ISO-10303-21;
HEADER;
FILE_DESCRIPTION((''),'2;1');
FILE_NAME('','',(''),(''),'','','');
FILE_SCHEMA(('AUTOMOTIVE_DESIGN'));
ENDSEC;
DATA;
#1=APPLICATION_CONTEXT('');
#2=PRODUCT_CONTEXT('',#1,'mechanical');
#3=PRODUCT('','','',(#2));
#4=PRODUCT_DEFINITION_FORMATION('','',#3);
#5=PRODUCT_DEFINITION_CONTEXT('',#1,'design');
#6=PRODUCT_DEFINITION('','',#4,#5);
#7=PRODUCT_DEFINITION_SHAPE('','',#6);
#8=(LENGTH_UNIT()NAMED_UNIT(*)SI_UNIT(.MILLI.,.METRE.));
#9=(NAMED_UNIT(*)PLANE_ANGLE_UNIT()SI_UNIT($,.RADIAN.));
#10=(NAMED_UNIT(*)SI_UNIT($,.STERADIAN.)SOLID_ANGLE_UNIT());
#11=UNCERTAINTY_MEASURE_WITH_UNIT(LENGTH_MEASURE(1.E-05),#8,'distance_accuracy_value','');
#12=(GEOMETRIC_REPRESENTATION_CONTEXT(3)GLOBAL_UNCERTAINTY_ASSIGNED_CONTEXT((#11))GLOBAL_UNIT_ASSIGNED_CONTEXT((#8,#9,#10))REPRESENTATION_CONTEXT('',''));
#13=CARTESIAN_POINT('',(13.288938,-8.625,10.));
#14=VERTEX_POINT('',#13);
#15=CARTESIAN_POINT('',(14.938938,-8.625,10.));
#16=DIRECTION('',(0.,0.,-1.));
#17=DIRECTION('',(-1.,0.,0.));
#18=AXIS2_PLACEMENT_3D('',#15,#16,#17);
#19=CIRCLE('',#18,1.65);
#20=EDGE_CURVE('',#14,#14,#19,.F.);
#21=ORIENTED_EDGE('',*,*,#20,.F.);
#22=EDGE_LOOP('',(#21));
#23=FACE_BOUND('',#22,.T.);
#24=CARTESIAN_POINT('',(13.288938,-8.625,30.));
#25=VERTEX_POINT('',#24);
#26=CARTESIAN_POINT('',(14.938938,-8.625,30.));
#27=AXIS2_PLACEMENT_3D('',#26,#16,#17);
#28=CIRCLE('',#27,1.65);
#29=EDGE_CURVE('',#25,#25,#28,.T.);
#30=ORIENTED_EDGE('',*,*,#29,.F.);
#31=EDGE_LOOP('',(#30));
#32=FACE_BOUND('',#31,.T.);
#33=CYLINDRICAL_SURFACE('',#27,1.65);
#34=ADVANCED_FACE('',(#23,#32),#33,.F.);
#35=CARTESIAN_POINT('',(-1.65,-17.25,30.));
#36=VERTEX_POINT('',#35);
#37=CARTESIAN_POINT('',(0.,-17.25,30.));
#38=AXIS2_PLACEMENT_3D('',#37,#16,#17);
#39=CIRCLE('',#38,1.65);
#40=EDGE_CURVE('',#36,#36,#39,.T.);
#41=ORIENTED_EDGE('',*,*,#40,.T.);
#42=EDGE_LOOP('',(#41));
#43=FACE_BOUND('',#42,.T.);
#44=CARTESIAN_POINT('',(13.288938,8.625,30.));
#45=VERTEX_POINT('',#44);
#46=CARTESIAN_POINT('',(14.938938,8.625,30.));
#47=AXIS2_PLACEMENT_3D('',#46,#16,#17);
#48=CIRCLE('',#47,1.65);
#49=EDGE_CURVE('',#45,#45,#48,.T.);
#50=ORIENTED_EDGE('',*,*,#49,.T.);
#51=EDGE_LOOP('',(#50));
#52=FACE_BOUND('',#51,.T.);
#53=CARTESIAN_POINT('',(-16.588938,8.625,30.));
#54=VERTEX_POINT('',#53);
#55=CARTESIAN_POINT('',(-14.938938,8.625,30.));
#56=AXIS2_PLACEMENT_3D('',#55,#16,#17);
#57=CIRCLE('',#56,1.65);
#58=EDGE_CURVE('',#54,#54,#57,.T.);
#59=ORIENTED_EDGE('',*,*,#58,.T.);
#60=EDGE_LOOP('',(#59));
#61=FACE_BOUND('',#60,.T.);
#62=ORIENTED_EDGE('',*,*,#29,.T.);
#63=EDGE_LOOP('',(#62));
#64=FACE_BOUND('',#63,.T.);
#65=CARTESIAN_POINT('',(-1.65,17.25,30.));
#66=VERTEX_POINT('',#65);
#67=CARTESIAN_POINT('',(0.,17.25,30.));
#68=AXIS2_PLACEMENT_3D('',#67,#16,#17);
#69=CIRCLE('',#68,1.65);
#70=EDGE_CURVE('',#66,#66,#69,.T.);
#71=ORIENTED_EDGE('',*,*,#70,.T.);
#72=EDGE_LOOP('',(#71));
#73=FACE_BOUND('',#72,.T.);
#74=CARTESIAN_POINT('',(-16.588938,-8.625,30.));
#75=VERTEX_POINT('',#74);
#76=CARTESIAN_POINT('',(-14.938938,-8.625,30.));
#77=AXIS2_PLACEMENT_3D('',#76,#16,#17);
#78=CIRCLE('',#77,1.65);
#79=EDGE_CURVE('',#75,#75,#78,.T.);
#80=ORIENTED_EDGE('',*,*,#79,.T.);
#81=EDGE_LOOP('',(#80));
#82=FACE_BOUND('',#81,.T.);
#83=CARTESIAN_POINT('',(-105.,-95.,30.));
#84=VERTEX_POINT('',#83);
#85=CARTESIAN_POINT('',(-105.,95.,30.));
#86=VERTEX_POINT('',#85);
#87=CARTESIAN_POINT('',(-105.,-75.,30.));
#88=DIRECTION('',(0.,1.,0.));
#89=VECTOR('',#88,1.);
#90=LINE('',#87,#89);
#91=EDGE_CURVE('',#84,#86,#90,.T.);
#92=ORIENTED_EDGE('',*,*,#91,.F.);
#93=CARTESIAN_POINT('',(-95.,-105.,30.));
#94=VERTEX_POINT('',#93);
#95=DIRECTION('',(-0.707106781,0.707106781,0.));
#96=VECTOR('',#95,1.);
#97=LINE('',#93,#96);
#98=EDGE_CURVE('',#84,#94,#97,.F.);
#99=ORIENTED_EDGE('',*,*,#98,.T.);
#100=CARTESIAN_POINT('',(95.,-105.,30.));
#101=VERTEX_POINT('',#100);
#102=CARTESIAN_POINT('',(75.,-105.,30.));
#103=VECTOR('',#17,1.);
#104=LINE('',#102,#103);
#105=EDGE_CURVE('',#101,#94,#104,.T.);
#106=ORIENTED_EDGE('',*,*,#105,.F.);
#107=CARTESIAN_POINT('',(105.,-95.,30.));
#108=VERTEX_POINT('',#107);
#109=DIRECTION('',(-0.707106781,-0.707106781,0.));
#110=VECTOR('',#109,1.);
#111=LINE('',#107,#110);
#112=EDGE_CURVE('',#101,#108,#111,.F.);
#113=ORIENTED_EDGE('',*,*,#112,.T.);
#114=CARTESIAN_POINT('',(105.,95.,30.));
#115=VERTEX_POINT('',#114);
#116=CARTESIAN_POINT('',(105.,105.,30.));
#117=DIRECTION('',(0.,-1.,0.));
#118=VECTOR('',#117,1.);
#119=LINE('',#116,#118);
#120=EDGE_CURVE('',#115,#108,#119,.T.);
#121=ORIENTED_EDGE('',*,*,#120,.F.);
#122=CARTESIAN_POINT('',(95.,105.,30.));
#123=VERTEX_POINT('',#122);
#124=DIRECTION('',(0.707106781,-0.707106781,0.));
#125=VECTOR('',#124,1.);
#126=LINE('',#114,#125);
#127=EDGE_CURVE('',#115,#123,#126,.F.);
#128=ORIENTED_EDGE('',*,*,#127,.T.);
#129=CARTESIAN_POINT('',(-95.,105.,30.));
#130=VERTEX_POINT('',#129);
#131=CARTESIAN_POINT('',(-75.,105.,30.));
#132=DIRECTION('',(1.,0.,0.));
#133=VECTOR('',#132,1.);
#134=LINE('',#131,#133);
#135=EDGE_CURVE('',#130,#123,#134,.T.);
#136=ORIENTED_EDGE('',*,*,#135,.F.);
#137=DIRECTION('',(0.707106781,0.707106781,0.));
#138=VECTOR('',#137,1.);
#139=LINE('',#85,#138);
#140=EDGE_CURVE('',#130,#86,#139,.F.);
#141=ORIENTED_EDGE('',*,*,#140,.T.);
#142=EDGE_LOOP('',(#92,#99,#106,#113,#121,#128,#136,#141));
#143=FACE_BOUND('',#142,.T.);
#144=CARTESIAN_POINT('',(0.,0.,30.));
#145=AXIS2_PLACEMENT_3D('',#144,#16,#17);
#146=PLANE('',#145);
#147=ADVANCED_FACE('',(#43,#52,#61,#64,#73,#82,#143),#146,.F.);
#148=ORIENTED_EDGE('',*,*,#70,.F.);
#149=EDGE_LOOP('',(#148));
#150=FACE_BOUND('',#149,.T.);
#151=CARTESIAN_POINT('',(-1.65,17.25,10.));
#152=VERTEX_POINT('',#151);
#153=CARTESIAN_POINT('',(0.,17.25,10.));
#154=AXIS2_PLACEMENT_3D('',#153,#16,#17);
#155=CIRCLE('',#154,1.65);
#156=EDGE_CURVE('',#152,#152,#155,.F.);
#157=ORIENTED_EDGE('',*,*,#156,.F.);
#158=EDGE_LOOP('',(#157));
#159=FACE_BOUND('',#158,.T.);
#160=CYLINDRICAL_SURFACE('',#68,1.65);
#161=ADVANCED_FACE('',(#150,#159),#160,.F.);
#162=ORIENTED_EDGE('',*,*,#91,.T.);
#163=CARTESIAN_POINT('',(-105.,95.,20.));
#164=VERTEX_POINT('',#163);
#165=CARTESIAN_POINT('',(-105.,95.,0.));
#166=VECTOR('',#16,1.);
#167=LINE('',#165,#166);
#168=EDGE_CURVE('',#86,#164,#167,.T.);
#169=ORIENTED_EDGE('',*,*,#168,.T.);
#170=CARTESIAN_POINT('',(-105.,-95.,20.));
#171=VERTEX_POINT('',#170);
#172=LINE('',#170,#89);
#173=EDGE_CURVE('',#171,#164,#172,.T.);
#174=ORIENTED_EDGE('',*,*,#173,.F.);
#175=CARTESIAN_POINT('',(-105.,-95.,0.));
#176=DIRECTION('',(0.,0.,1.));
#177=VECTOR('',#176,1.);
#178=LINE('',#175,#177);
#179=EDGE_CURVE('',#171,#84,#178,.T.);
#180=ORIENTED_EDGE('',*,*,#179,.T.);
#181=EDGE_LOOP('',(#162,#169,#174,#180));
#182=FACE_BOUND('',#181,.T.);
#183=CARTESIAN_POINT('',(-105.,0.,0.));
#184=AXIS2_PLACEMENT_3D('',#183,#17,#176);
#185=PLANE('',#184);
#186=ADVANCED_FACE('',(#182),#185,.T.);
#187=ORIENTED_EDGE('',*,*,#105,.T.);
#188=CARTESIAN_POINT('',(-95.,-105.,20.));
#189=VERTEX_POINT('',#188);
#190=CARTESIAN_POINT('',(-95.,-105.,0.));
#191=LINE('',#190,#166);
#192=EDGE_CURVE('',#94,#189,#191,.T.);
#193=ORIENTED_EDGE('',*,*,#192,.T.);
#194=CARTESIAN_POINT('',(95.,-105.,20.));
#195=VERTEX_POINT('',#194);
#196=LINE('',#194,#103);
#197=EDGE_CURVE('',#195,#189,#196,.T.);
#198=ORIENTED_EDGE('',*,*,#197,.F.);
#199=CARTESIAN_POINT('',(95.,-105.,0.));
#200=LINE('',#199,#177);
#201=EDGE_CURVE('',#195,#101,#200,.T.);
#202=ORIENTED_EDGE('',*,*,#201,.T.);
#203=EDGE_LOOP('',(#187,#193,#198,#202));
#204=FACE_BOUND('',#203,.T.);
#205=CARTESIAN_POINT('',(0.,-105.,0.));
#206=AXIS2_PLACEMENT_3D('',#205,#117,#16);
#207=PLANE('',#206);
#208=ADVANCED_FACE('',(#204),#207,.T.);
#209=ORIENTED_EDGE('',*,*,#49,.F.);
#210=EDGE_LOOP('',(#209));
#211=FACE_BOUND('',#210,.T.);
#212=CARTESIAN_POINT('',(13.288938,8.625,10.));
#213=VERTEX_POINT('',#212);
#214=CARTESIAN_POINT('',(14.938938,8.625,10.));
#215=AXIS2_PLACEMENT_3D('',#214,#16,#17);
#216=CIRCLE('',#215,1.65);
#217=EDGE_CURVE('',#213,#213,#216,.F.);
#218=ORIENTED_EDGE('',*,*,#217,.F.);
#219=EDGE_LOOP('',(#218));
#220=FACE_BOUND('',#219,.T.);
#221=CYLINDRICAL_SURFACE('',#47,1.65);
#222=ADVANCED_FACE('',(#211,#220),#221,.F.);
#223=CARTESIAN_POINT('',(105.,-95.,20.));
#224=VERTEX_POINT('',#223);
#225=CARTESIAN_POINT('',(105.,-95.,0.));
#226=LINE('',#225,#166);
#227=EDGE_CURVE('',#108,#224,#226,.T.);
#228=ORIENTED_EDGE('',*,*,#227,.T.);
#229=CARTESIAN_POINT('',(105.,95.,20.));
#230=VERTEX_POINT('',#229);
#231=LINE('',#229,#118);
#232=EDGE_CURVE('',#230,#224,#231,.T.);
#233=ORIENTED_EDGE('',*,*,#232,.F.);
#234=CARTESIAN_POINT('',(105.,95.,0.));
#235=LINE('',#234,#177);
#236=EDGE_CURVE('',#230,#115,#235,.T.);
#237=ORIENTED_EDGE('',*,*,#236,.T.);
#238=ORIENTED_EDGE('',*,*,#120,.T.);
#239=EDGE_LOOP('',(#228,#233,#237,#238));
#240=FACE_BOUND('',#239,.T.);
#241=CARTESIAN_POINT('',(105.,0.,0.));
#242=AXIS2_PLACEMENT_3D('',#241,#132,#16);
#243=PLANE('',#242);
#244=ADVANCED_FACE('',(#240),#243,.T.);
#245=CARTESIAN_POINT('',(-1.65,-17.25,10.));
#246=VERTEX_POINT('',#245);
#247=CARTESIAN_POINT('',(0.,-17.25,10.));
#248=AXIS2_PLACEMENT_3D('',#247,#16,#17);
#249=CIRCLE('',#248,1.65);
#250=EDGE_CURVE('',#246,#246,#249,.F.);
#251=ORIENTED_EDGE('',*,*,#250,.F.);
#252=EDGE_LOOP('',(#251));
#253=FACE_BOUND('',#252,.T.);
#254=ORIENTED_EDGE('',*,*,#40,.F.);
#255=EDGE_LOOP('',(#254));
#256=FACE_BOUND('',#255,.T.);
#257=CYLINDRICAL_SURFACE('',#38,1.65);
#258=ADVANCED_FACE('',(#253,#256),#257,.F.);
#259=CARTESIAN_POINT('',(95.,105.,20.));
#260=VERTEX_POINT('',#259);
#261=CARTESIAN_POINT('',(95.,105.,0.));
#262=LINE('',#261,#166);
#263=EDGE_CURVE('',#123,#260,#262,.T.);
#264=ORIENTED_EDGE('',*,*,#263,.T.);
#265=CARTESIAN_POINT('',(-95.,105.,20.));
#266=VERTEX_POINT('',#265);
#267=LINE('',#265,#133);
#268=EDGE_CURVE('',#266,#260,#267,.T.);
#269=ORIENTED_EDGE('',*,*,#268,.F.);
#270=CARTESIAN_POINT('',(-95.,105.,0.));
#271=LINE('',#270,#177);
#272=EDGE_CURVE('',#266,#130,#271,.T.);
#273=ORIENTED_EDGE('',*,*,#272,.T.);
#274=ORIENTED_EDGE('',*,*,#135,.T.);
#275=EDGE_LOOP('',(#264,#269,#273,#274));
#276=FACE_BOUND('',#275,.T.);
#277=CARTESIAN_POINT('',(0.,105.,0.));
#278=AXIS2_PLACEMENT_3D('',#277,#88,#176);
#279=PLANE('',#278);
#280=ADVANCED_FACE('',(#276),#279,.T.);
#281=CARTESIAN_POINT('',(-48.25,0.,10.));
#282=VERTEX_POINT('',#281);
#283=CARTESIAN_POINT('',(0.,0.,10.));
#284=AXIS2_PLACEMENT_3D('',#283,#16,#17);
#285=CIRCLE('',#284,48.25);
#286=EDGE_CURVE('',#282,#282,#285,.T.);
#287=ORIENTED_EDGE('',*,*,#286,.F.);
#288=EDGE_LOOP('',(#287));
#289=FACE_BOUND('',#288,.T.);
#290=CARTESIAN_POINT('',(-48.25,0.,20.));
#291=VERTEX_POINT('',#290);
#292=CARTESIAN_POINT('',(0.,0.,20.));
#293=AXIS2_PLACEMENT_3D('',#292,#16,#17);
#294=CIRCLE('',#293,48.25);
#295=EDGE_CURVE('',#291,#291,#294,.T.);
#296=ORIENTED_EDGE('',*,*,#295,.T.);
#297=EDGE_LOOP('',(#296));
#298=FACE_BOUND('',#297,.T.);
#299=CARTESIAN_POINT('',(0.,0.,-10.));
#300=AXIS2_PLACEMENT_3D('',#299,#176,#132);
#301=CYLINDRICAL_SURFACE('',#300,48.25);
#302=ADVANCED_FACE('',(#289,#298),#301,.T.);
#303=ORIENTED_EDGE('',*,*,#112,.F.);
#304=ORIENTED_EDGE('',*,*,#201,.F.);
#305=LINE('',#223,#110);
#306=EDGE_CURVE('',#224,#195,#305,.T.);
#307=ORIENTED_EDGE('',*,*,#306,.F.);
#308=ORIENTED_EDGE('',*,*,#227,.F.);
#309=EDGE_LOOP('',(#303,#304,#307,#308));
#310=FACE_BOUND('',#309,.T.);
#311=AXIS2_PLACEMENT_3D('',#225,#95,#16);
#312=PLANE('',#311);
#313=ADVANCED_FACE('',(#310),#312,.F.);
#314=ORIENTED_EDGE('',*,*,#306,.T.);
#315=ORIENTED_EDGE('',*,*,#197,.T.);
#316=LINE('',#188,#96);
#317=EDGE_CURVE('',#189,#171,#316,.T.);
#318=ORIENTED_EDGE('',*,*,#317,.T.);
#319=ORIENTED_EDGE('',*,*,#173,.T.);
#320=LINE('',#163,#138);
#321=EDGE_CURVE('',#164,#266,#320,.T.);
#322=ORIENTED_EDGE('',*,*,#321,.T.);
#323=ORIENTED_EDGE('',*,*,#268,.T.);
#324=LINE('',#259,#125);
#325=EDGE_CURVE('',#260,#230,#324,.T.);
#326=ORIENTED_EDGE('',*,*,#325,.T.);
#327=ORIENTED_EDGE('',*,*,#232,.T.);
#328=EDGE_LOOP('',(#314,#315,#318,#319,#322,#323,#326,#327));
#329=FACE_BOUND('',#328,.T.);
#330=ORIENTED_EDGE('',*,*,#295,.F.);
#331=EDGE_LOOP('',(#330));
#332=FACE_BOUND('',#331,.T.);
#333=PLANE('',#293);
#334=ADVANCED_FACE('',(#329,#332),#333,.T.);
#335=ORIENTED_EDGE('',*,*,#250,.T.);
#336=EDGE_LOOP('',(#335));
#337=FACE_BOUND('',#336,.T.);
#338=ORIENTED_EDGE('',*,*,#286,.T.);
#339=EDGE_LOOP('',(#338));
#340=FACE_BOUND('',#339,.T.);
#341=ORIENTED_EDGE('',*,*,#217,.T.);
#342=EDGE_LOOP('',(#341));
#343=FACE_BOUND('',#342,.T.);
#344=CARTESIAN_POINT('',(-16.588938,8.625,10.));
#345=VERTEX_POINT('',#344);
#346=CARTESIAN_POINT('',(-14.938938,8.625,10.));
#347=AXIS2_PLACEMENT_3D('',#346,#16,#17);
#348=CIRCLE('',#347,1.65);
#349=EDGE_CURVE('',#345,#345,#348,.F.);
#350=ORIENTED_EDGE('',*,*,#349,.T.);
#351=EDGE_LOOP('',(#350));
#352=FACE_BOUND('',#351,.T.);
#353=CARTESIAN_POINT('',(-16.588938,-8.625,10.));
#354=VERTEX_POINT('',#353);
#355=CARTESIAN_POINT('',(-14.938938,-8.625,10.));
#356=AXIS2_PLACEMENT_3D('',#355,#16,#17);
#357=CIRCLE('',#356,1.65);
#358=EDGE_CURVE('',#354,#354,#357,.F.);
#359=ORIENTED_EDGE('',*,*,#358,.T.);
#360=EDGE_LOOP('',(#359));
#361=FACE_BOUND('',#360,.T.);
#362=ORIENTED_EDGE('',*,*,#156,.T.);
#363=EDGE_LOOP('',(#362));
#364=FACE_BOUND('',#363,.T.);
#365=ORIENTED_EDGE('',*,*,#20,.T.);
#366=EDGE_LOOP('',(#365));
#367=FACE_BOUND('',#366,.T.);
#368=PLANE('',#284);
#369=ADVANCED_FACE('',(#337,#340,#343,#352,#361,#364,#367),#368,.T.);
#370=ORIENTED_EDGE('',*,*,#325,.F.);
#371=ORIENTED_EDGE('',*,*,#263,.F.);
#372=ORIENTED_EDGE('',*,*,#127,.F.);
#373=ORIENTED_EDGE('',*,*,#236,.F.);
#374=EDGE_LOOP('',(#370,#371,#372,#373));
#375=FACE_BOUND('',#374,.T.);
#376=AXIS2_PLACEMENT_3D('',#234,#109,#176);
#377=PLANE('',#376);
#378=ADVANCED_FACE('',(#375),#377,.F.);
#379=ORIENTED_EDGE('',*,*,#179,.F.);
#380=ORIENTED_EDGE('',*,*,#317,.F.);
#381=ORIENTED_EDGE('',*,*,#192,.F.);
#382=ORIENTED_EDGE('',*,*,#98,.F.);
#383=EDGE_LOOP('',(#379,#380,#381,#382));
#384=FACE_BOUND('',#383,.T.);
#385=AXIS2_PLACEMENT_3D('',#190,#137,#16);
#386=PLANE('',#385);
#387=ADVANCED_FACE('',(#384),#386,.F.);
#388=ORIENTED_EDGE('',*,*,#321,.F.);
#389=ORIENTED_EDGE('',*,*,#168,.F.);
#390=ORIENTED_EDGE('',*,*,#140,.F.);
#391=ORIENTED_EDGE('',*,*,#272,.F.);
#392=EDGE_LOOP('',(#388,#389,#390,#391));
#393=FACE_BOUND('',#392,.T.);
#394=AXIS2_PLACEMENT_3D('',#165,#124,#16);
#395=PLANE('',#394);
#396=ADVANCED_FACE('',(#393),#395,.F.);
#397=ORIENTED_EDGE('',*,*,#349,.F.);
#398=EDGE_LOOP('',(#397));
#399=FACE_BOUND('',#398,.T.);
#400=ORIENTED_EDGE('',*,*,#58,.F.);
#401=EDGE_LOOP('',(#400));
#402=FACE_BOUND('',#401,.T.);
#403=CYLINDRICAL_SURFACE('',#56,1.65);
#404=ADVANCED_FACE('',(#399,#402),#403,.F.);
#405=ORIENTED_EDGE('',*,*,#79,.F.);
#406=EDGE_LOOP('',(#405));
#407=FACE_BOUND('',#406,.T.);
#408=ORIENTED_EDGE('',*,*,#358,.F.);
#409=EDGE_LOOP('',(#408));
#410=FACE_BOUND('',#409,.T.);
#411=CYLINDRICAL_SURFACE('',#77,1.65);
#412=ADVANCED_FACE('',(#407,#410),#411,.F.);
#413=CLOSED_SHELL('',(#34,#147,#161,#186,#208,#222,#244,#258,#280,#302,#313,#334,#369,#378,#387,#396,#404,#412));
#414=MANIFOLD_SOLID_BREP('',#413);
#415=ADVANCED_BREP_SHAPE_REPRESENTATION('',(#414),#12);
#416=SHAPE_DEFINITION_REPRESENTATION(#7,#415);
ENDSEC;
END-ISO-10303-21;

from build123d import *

# Parameters (mm, degrees)
SKETCH_1_W               = 150
SKETCH_1_H               = 150
EXTRUDE_1_DEPTH          = 30
SKETCH_2_R               = 48.25
EXTRUDE_2_DEPTH          = 10
SKETCH_3_R               = 1.65
EXTRUDE_3_DEPTH          = 8.3
SKETCH_4_W               = 150
SKETCH_4_H               = 30
EXTRUDE_4_DEPTH          = 30
SKETCH_5_W               = 30
SKETCH_5_H               = 180
EXTRUDE_5_DEPTH          = 30
SKETCH_6_W               = 180
SKETCH_6_H               = 30
EXTRUDE_6_DEPTH          = 30
SKETCH_7_W               = 30
SKETCH_7_H               = 210
EXTRUDE_7_DEPTH          = 30
CHAMFER_1_SIZE           = 10
CUT_EXTRUDE_1_DEPTH      = 154.785564992
CUT_EXTRUDE_1_DEPTH_BACK = 154.785564992
SKETCH_8_R               = 1.65
CUT_EXTRUDE_START        = -15
SKETCH_9_R               = 48.25
CUT_EXTRUDE_2_DEPTH      = 15
SKETCH_10_R              = 48.25
CUT_EXTRUDE_3_DEPTH      = 15
CUT_EXTRUDE_START_2      = -5
SKETCH_11_R              = 48.25
CUT_EXTRUDE_4_DEPTH      = 5
SKETCH_12_R              = 48.25
CUT_EXTRUDE_5_DEPTH      = 5


with BuildPart() as part:
    # 草图1 → 凸台-拉伸1 (new body)
    with BuildSketch(Plane.XY):
        Rectangle(SKETCH_1_W, SKETCH_1_H)
    extrude(amount=EXTRUDE_1_DEPTH)

    # 草图2 → 凸台-拉伸2 (add)
    with BuildSketch(Plane(origin=(0, 0, 0), x_dir=(-1, 0, 0), z_dir=(0, 0, -1))):
        Circle(SKETCH_2_R)
    extrude(amount=EXTRUDE_2_DEPTH)

    # 草图3 → 凸台-拉伸3 (add)
    with BuildSketch(Plane(origin=(0, 0, -10), x_dir=(-1, 0, 0), z_dir=(0, 0, -1))):
        with Locations(Location((0, 17.25, 0), (0, 0, 180))):
            Circle(SKETCH_3_R)
        with Locations(Location((14.938938215, 8.625, 0), (0, 0, 180))):
            Circle(SKETCH_3_R)
        with Locations(Location((14.938938215, -8.625, 0), (0, 0, 180))):
            Circle(SKETCH_3_R)
        with Locations(Location((0, -17.25, 0), (0, 0, 180))):
            Circle(SKETCH_3_R)
        with Locations(Location((-14.938938215, -8.625, 0), (0, 0, 180))):
            Circle(SKETCH_3_R)
        with Locations(Location((-14.938938215, 8.625, 0), (0, 0, 180))):
            Circle(SKETCH_3_R)
    extrude(amount=EXTRUDE_3_DEPTH)

    # 草图4 → 凸台-拉伸4 (add)
    with BuildSketch(Plane(origin=(0, 75, 0), x_dir=(1, 0, 0), z_dir=(0, 1, 0))):
        with Locations((0, -15)):
            Rectangle(SKETCH_4_W, SKETCH_4_H)
    extrude(amount=EXTRUDE_4_DEPTH)

    # 草图5 → 凸台-拉伸5 (add)
    with BuildSketch(Plane.ZY.offset(75)):
        with Locations((15, 15)):
            Rectangle(SKETCH_5_W, SKETCH_5_H)
    extrude(amount=EXTRUDE_5_DEPTH)

    # 草图6 → 凸台-拉伸6 (add)
    with BuildSketch(Plane.XZ.offset(75)):
        with Locations((-15, 15)):
            Rectangle(SKETCH_6_W, SKETCH_6_H)
    extrude(amount=EXTRUDE_6_DEPTH)

    # 草图7 → 凸台-拉伸7 (add)
    with BuildSketch(Plane(origin=(75, 0, 0), x_dir=(0, 0, -1), z_dir=(1, 0, 0))):
        with Locations((-15, 0)):
            Rectangle(SKETCH_7_W, SKETCH_7_H)
    extrude(amount=EXTRUDE_7_DEPTH)

    # 倒角1
    chamfer_1_edges = [part.edges().sort_by_distance(p)[0] for p in [
        (-105, 105, 15),
        (-105, -105, 15),
        (105, -105, 15),
        (105, 105, 15),
    ]]
    chamfer(chamfer_1_edges, length=CHAMFER_1_SIZE)

    # 草图8 → 切除-拉伸1 (cut, two sides: drawn at the far end of the back side and taken through both)
    with BuildSketch(Plane(origin=(0, 0, -10), x_dir=(-1, 0, 0), z_dir=(0, 0, -1)).offset(-CUT_EXTRUDE_1_DEPTH_BACK)):
        with Locations((-14.938938215, -8.625)):
            Circle(SKETCH_8_R)
        with Locations((0, -17.25)):
            Circle(SKETCH_8_R)
        with Locations((14.938938215, -8.625)):
            Circle(SKETCH_8_R)
        with Locations((14.938938215, 8.625)):
            Circle(SKETCH_8_R)
        with Locations((0, 17.25)):
            Circle(SKETCH_8_R)
        with Locations((-14.938938215, 8.625)):
            Circle(SKETCH_8_R)
    extrude(amount=CUT_EXTRUDE_1_DEPTH + CUT_EXTRUDE_1_DEPTH_BACK, mode=Mode.SUBTRACT)

    # 草图9 → 切除-拉伸2 (cut)
    with BuildSketch(Plane(origin=(0, 0, 0), x_dir=(-1, 0, 0), z_dir=(0, 0, -1)).offset(CUT_EXTRUDE_START)):
        Polygon((-95, -105), (95, -105), (105, -95), (105, 95), (95, 105), (-95, 105), (-105, 95), (-105, -95), align=None)
        Circle(SKETCH_9_R, mode=Mode.SUBTRACT)
    extrude(amount=CUT_EXTRUDE_2_DEPTH, mode=Mode.SUBTRACT)

    # 草图10 → 切除-拉伸3 (cut)
    with BuildSketch(Plane(origin=(0, 0, -10), x_dir=(-1, 0, 0), z_dir=(0, 0, -1)).offset(CUT_EXTRUDE_START)):
        Circle(SKETCH_10_R)
    extrude(amount=CUT_EXTRUDE_3_DEPTH, mode=Mode.SUBTRACT)

    # 草图11 → 切除-拉伸4 (cut)
    with BuildSketch(Plane(origin=(0, 0, 5), x_dir=(-1, 0, 0), z_dir=(0, 0, -1)).offset(CUT_EXTRUDE_START_2)):
        Circle(SKETCH_11_R)
    extrude(amount=CUT_EXTRUDE_4_DEPTH, mode=Mode.SUBTRACT)

    # 草图12 → 切除-拉伸5 (cut)
    with BuildSketch(Plane(origin=(0, 0, 15), x_dir=(-1, 0, 0), z_dir=(0, 0, -1)).offset(CUT_EXTRUDE_START_2)):
        Polygon((-105, -95), (-95, -105), (95, -105), (105, -95), (105, 95), (95, 105), (-95, 105), (-105, 95), align=None)
        Circle(SKETCH_12_R, mode=Mode.SUBTRACT)
    extrude(amount=CUT_EXTRUDE_5_DEPTH, mode=Mode.SUBTRACT)


solid = part.part
